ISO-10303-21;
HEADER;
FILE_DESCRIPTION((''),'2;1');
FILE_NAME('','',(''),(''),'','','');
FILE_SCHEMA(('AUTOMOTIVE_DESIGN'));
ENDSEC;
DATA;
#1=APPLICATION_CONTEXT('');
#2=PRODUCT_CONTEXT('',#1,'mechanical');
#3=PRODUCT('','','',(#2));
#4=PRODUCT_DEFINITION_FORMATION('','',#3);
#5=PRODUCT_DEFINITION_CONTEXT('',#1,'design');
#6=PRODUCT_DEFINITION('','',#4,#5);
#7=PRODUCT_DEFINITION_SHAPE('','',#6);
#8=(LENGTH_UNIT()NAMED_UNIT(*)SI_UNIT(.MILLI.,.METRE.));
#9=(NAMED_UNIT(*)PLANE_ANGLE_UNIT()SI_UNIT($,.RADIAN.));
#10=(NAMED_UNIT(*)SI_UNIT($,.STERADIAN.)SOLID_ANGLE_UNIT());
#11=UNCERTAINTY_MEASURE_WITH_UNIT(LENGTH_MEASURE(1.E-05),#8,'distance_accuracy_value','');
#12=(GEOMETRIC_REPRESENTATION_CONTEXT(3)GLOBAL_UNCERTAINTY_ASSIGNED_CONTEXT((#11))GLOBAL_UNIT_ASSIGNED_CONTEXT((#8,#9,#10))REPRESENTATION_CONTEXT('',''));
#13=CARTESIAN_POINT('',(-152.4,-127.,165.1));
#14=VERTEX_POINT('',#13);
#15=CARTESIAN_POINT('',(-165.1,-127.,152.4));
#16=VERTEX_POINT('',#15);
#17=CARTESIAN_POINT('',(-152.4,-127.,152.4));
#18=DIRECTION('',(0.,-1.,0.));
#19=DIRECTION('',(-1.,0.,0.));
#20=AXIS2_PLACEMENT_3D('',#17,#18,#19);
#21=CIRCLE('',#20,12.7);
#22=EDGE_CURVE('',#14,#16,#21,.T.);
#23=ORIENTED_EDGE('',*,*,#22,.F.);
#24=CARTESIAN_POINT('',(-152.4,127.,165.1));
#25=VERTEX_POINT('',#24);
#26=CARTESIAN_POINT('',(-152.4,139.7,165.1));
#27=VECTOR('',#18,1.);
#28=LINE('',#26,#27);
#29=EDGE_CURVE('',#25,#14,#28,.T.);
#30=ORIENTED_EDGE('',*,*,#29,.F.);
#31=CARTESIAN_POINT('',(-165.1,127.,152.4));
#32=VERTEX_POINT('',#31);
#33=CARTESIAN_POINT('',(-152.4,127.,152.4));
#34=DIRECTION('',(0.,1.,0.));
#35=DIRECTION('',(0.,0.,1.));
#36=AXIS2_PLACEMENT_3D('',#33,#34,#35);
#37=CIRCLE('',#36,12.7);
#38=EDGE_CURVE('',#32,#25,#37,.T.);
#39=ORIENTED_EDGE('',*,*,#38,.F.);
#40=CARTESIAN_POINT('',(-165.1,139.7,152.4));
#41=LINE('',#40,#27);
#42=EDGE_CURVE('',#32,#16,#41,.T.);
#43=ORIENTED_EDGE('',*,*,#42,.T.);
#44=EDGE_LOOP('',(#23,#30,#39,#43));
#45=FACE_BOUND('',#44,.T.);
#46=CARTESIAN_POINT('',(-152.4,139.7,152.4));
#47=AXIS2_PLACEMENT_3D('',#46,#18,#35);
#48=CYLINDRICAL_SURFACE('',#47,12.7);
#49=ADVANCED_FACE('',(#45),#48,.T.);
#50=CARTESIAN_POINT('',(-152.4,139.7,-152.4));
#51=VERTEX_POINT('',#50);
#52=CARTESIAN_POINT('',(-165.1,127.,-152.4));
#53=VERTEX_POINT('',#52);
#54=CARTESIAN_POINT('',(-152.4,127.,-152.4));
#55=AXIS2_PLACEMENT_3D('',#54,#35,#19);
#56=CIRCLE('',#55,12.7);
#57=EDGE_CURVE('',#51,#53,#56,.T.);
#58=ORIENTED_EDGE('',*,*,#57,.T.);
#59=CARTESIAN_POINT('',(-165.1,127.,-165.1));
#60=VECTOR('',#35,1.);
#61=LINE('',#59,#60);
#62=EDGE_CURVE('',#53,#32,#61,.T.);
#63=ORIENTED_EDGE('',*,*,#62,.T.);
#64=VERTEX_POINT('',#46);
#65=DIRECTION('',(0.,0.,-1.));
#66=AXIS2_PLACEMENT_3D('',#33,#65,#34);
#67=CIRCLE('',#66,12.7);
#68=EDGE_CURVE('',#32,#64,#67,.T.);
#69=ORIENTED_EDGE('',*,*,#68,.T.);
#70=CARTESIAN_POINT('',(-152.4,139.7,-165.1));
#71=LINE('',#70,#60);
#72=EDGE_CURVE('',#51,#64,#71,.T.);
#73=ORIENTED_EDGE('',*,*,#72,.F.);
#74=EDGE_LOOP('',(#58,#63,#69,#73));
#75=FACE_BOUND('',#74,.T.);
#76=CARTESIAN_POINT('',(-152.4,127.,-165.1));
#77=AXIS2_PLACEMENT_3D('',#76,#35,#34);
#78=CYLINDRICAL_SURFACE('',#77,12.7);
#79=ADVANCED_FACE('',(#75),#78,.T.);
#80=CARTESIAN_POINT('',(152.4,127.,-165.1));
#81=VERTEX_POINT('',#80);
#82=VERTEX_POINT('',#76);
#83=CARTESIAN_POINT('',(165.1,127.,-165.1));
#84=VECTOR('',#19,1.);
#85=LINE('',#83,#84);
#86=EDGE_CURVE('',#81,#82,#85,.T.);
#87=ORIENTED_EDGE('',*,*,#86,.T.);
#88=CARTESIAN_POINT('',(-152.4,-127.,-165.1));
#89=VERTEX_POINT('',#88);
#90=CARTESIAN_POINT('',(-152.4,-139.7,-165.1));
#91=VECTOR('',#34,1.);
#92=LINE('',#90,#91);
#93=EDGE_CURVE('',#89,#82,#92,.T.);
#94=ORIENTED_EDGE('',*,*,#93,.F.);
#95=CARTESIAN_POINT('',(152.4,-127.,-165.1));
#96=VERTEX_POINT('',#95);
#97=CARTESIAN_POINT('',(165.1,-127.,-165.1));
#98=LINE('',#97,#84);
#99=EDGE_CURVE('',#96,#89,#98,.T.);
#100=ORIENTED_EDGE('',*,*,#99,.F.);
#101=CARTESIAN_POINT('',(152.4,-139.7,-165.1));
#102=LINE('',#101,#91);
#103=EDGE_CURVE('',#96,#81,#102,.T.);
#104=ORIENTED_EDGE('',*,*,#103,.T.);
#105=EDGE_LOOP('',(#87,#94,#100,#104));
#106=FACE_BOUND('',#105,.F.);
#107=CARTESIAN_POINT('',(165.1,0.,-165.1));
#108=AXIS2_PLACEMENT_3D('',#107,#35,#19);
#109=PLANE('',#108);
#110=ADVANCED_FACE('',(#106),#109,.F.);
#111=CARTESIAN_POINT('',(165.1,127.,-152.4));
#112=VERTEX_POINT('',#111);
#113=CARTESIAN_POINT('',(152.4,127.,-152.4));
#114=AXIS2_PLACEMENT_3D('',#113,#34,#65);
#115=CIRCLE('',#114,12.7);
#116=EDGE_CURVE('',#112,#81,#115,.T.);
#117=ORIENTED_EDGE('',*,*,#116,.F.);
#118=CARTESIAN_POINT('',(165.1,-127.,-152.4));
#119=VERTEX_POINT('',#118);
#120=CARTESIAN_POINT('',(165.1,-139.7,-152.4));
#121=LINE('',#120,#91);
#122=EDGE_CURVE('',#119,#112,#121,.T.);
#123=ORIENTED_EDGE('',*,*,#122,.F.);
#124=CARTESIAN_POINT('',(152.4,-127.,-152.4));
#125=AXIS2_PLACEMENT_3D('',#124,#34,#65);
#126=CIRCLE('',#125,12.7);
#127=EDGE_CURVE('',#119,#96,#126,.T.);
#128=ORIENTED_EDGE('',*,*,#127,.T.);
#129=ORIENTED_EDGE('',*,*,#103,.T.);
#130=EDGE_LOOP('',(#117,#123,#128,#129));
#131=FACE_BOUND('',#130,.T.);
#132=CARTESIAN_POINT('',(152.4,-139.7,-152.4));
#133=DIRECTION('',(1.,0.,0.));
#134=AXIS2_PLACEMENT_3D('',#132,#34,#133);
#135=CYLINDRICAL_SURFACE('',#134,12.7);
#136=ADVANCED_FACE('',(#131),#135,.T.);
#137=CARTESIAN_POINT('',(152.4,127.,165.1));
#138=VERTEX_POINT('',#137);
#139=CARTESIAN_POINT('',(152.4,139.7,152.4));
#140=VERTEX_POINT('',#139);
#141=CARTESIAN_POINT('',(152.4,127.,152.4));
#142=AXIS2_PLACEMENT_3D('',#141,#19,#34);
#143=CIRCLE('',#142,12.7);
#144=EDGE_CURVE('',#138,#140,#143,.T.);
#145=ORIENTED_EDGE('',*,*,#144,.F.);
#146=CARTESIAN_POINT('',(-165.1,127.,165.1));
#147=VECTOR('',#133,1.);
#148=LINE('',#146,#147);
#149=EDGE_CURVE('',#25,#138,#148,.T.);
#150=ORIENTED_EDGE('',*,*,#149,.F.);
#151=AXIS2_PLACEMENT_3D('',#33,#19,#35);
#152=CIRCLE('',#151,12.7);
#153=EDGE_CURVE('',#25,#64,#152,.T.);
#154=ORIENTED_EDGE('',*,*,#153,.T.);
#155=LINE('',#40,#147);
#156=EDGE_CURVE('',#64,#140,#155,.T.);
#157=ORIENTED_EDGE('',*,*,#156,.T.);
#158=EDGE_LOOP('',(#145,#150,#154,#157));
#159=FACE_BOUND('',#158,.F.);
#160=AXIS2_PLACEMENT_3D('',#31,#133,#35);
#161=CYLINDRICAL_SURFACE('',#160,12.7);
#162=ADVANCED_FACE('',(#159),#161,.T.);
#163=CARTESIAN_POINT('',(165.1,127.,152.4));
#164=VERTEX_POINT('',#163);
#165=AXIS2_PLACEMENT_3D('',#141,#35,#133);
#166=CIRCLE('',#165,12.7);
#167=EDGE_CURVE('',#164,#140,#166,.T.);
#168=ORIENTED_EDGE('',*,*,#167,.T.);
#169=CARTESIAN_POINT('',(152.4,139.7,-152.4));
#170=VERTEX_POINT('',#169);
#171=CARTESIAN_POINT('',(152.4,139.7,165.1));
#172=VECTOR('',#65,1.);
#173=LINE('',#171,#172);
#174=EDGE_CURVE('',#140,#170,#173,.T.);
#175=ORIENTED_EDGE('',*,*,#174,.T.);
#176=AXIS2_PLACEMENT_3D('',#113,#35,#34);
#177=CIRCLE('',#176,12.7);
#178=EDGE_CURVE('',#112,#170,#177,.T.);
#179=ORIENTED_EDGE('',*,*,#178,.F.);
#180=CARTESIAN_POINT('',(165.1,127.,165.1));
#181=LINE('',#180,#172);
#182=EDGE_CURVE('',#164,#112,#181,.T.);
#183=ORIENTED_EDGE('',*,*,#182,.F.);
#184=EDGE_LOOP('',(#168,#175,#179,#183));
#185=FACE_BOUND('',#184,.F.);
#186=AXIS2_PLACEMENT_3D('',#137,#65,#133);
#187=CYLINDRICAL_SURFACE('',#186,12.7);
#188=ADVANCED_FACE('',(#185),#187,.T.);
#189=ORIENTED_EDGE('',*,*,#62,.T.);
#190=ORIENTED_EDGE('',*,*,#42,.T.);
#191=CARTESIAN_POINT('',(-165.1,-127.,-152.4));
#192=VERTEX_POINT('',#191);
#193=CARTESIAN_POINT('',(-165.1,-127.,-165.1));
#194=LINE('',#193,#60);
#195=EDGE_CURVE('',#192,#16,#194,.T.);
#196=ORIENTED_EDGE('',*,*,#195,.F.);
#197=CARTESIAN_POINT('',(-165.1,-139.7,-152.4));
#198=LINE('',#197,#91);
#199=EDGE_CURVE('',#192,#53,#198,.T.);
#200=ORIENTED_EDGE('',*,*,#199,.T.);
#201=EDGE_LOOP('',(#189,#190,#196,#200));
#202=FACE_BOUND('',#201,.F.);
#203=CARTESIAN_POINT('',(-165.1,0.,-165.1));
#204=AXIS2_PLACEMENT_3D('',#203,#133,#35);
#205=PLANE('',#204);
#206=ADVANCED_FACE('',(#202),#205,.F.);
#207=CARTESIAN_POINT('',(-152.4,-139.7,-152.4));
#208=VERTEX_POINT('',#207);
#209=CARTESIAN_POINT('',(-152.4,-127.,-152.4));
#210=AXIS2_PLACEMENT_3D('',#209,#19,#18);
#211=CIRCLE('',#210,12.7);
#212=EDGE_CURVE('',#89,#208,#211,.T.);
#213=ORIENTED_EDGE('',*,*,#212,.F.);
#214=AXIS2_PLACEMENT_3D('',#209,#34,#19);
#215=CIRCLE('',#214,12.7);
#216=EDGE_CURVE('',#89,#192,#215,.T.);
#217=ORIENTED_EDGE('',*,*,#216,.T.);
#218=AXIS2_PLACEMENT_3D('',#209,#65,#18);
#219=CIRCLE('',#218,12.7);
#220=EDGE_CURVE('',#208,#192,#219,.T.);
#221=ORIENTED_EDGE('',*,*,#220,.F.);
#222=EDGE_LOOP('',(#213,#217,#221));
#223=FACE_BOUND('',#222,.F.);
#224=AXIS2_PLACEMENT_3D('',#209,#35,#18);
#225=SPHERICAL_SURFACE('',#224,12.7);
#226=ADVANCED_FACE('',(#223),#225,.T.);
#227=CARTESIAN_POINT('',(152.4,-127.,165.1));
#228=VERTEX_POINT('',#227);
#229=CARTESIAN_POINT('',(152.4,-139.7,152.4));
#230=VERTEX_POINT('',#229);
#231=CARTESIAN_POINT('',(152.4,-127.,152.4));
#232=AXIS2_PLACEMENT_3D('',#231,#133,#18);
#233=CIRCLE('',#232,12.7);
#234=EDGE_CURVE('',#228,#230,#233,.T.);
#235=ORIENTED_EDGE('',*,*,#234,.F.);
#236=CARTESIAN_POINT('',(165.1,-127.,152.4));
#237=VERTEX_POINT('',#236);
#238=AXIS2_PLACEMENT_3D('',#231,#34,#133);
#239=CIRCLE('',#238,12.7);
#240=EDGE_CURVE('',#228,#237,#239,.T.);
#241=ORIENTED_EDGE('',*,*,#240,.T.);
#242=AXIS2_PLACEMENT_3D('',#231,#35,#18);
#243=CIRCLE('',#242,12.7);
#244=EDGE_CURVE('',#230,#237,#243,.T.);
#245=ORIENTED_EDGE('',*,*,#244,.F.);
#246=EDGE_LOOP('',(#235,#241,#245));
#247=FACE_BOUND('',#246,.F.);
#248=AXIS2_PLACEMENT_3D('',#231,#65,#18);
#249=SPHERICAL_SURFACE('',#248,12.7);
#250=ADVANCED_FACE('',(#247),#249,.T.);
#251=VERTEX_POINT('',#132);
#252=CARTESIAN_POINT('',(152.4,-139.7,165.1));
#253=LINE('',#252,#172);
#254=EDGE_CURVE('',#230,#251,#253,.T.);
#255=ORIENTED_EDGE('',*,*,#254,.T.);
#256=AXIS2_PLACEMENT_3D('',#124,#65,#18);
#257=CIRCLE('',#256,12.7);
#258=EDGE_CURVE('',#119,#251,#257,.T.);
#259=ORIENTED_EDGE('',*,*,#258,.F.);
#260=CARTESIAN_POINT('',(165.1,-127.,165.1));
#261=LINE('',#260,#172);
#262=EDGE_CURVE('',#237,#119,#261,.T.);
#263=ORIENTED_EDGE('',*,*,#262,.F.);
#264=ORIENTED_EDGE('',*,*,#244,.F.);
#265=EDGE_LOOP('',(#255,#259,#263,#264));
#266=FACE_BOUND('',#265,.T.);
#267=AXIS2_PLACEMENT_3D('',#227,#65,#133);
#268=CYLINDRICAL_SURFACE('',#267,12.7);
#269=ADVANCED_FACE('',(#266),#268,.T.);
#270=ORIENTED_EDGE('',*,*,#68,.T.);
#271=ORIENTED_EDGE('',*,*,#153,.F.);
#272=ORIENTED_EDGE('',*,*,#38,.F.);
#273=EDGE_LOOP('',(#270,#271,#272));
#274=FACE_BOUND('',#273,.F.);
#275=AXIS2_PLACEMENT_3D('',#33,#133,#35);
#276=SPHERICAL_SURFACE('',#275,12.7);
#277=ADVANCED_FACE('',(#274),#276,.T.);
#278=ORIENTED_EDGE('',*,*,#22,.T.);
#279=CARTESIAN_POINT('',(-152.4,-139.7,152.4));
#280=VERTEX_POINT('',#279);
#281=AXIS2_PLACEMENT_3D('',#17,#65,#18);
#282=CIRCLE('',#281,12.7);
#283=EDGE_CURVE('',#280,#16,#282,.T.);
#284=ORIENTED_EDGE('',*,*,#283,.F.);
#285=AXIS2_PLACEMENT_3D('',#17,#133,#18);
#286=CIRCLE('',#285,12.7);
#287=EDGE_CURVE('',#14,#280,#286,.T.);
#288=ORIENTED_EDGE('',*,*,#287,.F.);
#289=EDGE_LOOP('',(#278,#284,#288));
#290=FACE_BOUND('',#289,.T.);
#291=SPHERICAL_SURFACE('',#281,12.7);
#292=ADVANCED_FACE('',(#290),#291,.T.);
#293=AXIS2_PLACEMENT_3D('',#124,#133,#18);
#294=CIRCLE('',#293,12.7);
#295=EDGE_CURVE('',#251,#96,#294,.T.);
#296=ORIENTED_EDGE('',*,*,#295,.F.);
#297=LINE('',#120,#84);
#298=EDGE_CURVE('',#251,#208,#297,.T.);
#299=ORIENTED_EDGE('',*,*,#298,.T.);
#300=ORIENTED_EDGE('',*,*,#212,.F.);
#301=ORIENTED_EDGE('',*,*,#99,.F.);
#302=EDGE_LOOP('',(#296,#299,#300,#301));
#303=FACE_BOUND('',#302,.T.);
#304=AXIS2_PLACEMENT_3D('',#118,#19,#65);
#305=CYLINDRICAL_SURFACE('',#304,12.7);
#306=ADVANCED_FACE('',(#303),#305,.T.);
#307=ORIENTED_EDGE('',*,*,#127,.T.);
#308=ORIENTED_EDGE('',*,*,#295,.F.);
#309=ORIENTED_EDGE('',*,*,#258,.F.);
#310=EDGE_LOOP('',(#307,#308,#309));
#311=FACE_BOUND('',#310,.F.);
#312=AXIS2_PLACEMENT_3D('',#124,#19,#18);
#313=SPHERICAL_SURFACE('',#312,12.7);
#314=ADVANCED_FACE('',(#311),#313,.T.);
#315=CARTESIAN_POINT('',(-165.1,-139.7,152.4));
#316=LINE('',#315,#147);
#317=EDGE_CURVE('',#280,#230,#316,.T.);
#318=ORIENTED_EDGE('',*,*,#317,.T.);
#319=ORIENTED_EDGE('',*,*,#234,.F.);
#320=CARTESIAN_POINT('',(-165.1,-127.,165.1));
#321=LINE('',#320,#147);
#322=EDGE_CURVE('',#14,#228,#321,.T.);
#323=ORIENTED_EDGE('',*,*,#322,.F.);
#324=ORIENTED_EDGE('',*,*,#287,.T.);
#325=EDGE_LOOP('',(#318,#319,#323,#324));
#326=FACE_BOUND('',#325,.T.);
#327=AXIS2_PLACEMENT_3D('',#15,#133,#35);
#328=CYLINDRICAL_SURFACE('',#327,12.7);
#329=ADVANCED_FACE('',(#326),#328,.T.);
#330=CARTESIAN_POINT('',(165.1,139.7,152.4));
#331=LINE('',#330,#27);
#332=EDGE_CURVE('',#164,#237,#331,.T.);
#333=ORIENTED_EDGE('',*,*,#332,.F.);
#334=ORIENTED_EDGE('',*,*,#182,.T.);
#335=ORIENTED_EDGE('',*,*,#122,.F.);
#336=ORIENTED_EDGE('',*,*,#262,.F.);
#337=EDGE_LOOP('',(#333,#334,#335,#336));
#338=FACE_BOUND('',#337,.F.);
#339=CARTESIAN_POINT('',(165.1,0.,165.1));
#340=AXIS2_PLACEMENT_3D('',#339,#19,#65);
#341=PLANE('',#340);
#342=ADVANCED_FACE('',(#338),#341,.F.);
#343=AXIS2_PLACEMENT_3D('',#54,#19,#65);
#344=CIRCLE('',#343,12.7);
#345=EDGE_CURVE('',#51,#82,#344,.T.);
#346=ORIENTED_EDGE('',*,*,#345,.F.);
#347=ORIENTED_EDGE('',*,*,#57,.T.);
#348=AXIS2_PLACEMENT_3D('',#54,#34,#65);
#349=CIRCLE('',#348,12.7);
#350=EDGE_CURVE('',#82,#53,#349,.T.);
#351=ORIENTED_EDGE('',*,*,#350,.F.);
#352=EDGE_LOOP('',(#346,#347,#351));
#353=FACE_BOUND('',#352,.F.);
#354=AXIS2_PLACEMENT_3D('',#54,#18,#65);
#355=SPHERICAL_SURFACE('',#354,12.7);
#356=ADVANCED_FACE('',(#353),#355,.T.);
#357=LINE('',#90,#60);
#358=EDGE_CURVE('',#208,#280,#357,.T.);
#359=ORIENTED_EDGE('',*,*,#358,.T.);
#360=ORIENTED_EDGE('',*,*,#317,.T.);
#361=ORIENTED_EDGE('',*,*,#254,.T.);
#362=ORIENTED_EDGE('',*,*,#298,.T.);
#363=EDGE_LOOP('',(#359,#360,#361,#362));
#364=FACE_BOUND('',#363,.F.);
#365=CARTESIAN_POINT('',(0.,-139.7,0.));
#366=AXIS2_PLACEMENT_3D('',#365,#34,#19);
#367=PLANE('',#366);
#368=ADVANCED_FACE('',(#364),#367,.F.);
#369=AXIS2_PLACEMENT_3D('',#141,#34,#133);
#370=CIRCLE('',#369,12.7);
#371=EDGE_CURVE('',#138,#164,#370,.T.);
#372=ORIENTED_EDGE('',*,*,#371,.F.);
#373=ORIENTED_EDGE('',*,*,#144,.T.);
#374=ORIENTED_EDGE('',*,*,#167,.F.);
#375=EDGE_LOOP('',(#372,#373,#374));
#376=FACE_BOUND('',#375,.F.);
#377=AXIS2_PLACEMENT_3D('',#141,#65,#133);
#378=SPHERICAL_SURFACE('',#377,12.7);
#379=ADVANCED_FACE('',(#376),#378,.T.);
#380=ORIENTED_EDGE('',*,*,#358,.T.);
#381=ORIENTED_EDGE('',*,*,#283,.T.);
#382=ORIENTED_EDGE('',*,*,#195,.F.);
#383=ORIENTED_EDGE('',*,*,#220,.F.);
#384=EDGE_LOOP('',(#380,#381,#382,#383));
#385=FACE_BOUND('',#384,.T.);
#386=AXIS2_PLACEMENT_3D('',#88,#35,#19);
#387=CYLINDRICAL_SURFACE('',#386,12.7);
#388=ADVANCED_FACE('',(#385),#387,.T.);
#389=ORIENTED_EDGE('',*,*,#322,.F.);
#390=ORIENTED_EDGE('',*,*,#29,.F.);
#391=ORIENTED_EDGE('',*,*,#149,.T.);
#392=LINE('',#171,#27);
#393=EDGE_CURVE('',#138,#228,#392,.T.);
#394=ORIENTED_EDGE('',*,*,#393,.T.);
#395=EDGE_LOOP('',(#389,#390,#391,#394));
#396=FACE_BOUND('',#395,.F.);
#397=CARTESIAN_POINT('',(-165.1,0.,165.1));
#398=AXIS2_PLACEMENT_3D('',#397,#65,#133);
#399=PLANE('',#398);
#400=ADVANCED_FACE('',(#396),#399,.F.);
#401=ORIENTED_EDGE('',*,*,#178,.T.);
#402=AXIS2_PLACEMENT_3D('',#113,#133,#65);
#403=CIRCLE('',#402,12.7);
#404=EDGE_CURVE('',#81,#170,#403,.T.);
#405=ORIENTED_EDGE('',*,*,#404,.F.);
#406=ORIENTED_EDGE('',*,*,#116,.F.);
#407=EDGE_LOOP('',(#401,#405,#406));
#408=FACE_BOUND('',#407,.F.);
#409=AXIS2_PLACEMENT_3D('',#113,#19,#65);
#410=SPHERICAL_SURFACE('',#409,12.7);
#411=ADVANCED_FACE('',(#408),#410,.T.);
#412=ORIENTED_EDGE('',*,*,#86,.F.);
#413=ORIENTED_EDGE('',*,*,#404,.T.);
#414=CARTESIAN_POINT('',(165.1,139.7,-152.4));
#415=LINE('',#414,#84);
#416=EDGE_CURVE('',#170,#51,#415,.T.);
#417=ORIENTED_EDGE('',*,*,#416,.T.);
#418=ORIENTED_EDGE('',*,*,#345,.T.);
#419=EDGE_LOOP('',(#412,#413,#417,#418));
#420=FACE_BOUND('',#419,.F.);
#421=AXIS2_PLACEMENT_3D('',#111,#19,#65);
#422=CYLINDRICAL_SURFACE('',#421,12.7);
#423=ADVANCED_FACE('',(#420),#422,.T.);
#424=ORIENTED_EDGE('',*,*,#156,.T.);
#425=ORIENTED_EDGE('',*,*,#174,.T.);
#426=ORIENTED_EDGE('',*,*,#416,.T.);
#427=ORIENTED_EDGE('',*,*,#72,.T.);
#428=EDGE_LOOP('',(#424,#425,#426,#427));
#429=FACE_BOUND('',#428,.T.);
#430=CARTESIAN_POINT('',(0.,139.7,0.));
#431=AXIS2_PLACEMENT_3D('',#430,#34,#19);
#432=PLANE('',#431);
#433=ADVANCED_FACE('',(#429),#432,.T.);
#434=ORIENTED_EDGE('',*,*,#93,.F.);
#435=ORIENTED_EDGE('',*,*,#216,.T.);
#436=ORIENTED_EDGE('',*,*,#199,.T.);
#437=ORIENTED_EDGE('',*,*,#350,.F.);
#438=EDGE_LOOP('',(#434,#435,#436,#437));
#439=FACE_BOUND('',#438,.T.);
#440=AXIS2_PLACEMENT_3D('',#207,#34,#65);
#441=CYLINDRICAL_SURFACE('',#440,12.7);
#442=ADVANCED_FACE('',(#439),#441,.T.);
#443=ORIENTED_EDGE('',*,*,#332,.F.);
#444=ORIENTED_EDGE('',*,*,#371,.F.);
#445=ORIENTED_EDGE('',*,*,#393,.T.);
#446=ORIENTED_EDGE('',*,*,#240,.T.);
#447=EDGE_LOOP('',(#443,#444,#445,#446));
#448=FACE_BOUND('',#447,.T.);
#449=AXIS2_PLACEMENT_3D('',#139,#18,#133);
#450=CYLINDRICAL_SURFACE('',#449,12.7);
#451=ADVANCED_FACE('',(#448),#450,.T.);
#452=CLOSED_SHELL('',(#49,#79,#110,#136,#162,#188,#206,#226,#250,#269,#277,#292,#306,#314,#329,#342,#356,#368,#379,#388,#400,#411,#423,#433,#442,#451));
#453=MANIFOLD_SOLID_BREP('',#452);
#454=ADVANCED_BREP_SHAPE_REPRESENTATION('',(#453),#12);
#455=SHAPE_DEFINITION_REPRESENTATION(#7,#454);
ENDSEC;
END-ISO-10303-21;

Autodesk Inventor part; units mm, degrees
ref_plane "YZ Plane" through (0, 0, 0) normal (1, 0, 0) x (0, 1, 0)
ref_plane "XZ Plane" through (0, 0, 0) normal (0, 1, 0) x (-1, 0, 0)
ref_plane "XY Plane" through (0, 0, 0) normal (0, 0, 1) x (1, 0, 0)
sketch "Sketch1" plane through (0, 0, 0) normal (0, 1, 0) x (-1, 0, 0)
  line L0 (-165.1, -165.1) -> (165.1, -165.1)
  line L1 (165.1, -165.1) -> (165.1, 165.1)
  line L2 (165.1, 165.1) -> (-165.1, 165.1)
  line L3 (-165.1, 165.1) -> (-165.1, -165.1)
  line L4 (-165.1, -165.1) -> (165.1, 165.1) construction
  line L5 (165.1, -165.1) -> (-165.1, 165.1) construction
  point P0 (0, 0)
  dimension "d0" = 330.2
  dimension "d1" = 330.2
extrude "Extrusion1" add sketch "Sketch1" along normal mid plane 279.4
fillet "Fillet1" radius 12.7 12 edges at (-165.1, -139.7, 0) (0, -139.7, -165.1) (165.1, -139.7, 0) (0, -139.7, 165.1) (-165.1, 0, -165.1) (0, 139.7, -165.1) (165.1, 0, -165.1) (165.1, 139.7, 0) (165.1, 0, 165.1) (0, 139.7, 165.1) (-165.1, 0, 165.1) (-165.1, 139.7, 0)
properties part number "Power Cube"
